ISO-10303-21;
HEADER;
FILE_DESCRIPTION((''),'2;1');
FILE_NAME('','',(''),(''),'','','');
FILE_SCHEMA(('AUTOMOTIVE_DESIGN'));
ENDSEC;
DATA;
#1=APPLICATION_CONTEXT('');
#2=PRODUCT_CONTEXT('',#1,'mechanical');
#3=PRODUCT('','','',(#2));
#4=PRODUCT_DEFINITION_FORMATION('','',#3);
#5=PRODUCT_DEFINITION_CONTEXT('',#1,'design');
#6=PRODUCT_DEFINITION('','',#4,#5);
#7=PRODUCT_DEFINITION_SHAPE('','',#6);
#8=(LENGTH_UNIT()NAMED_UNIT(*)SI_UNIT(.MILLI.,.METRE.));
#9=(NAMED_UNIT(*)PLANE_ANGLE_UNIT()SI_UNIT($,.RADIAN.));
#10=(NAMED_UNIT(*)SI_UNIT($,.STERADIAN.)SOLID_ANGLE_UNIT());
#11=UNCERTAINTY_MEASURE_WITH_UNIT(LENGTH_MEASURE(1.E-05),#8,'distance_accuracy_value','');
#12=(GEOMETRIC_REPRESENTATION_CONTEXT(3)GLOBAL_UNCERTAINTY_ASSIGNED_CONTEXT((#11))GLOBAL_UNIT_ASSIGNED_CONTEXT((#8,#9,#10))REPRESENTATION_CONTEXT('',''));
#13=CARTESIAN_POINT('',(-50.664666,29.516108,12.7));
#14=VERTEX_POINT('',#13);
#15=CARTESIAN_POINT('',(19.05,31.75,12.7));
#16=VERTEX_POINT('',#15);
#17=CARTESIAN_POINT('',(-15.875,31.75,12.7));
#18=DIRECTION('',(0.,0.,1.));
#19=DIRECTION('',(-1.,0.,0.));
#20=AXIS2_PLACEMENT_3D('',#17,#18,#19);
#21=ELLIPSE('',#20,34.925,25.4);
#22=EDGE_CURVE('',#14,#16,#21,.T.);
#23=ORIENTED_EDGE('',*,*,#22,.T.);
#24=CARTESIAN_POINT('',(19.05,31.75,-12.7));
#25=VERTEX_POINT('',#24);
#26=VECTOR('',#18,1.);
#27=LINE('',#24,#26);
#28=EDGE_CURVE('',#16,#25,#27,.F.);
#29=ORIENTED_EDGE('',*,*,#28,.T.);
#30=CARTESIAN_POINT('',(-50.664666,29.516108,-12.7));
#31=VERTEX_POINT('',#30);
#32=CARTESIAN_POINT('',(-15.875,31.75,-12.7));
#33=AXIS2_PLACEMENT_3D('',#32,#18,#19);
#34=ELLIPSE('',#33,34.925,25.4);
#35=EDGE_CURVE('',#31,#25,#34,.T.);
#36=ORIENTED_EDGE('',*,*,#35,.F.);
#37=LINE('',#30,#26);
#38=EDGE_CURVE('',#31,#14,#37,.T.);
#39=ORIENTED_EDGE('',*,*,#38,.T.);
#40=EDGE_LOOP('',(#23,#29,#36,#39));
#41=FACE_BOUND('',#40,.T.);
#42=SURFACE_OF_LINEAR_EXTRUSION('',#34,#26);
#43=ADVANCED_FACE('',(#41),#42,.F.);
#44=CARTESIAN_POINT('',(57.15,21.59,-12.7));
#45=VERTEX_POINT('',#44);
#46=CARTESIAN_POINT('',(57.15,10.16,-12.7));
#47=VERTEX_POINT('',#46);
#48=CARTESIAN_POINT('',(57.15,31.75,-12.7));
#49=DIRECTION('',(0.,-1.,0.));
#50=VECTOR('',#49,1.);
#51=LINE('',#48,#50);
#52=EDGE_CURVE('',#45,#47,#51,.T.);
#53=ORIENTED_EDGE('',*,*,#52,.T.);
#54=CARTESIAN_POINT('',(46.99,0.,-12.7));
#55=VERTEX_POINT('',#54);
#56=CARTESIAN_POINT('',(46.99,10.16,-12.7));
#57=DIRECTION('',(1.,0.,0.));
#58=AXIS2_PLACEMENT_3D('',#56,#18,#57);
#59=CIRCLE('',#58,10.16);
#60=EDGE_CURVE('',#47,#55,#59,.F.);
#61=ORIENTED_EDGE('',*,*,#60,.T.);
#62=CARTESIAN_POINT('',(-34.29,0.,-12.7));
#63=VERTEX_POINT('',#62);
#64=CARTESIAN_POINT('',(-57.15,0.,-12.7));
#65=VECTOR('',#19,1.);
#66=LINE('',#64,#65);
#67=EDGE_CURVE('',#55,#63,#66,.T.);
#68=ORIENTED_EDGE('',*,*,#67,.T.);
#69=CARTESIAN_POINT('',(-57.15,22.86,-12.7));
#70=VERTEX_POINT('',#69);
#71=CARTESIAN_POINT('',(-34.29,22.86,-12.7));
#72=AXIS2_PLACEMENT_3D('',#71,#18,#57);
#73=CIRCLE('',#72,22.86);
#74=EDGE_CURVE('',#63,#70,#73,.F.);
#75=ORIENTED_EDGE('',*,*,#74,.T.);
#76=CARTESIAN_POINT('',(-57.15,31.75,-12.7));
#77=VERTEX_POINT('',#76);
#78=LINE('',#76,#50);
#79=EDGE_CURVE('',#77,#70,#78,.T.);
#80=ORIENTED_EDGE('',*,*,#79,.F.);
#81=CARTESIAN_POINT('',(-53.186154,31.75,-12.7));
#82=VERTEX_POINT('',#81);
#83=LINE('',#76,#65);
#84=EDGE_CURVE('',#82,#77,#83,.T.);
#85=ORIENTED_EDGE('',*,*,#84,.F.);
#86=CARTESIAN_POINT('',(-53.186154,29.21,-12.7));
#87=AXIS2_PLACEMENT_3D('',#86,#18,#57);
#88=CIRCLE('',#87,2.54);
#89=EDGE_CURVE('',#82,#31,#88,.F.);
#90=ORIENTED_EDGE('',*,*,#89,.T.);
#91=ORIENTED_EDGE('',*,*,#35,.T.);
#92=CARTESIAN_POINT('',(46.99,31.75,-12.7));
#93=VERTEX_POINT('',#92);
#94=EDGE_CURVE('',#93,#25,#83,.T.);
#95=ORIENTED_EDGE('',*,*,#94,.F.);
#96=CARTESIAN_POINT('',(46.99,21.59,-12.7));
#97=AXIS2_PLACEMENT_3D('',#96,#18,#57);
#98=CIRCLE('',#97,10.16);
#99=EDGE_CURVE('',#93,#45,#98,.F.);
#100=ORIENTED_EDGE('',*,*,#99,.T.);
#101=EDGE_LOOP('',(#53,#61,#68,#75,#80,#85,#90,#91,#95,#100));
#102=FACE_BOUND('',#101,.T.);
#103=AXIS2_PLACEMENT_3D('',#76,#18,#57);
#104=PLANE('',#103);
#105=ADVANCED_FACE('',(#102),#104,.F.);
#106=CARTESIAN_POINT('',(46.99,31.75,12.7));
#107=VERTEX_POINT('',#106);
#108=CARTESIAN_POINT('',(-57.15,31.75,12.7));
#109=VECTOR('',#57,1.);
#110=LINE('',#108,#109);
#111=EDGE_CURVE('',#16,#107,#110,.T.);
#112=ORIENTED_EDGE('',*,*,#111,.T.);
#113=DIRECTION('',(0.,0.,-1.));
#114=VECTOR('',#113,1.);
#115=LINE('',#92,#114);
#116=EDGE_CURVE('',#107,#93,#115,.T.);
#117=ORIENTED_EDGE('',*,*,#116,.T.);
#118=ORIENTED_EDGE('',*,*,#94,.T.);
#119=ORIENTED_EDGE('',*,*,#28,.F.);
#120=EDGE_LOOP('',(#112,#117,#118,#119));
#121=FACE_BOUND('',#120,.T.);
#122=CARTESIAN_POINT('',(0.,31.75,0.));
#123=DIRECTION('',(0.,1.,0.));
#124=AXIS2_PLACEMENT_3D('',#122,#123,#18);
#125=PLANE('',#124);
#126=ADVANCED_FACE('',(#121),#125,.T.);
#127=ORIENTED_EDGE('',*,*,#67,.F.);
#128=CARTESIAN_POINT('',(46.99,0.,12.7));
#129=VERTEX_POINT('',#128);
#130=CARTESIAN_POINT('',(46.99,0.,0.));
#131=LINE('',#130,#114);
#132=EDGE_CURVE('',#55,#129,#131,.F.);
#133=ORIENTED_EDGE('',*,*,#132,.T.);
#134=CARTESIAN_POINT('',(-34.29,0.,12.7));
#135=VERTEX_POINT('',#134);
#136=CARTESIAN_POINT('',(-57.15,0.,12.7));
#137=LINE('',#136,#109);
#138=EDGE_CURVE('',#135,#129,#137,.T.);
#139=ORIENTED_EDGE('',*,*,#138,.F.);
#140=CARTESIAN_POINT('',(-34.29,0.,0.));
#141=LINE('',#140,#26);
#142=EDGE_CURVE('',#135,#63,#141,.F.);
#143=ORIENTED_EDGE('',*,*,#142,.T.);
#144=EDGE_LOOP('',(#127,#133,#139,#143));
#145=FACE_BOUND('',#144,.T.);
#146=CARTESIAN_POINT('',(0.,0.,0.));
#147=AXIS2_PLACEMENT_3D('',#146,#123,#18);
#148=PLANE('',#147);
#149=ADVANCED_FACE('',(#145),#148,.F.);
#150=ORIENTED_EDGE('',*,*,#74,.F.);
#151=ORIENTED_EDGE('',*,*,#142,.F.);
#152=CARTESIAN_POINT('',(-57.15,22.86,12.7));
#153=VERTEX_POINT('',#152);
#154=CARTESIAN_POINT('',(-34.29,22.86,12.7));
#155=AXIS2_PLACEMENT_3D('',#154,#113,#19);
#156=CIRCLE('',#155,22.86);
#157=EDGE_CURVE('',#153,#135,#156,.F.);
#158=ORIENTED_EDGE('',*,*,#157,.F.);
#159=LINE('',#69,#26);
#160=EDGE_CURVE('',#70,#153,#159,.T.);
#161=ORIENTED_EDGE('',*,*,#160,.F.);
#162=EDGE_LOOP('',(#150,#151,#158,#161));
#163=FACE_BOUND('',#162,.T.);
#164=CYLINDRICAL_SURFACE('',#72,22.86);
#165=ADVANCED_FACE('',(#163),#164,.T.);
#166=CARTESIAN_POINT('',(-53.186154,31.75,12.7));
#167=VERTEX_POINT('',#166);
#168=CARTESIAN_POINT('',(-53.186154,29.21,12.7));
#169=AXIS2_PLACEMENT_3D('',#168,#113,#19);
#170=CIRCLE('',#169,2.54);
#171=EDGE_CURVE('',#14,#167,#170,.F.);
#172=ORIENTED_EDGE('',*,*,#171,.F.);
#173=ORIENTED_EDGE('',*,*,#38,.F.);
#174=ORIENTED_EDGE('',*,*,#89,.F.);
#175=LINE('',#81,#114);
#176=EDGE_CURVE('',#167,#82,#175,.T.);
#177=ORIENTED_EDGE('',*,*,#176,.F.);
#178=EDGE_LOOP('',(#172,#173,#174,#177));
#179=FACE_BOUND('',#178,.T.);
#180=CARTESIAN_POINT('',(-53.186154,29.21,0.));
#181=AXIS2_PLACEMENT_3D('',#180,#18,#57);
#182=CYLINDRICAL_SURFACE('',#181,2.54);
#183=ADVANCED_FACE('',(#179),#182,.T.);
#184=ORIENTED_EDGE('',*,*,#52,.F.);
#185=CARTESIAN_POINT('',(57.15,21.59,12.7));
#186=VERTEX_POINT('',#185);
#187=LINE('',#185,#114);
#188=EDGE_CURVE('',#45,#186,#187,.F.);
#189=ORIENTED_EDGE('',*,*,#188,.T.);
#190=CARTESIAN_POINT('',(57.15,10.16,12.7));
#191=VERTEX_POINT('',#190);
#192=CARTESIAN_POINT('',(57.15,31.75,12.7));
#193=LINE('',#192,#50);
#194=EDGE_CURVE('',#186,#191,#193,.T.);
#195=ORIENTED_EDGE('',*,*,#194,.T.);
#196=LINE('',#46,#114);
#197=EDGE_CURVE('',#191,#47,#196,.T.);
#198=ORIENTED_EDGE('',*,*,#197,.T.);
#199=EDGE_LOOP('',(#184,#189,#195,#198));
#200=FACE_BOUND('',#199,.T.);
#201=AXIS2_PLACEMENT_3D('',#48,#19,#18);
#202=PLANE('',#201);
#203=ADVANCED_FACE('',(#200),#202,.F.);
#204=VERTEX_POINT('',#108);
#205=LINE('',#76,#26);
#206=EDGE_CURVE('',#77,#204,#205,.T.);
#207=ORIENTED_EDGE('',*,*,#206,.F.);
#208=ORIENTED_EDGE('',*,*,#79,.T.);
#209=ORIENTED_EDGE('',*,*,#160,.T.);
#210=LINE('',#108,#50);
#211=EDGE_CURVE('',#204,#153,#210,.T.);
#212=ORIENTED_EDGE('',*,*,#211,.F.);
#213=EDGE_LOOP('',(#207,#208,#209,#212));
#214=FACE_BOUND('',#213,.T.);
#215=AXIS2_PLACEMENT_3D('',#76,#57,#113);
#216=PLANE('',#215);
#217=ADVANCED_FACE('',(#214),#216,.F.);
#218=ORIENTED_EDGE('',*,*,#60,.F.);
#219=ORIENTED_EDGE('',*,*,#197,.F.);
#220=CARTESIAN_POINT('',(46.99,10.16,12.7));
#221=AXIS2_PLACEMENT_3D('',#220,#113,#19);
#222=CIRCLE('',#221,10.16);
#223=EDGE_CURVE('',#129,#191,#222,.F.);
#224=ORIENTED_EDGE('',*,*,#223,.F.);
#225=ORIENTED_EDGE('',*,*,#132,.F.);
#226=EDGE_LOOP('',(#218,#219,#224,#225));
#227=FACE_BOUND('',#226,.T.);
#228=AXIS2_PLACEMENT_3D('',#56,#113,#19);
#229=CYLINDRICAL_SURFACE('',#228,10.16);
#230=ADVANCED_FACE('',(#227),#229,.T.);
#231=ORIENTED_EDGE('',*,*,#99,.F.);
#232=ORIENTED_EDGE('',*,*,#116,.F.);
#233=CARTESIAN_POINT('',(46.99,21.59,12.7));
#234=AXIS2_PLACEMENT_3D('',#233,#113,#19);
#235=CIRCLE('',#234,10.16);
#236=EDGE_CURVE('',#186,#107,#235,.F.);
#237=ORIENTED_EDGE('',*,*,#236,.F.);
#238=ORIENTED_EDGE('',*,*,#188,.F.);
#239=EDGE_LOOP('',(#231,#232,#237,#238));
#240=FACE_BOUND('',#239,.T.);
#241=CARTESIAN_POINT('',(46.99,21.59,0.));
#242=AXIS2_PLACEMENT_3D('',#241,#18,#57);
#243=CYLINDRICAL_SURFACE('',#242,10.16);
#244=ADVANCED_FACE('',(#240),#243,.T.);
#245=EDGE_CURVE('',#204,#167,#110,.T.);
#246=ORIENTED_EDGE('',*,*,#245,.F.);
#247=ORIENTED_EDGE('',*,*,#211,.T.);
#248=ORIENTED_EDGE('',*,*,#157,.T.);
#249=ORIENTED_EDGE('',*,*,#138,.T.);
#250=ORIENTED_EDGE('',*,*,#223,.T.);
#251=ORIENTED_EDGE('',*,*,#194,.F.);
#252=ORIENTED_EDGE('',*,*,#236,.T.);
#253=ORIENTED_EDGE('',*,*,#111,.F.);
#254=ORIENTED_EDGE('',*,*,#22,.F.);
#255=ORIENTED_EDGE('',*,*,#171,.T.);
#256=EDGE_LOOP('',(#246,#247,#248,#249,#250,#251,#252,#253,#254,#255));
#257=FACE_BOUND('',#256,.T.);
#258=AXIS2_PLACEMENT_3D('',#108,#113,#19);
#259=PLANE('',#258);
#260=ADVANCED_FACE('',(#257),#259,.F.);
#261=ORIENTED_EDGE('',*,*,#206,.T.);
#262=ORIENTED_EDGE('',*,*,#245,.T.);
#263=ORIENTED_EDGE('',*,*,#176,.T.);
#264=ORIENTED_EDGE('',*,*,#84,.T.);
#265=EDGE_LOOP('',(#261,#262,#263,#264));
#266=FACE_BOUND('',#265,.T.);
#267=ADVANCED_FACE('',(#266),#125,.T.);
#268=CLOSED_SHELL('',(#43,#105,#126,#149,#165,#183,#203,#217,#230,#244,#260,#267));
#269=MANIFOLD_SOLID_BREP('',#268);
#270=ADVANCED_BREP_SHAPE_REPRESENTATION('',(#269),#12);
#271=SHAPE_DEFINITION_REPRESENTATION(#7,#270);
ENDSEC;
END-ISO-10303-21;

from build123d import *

# Parameters (mm, degrees)
SKETCH1_W           = 114.3
SKETCH1_H           = 25.4
BOSS_EXTRUDE1_DEPTH = 31.75
SKETCH2_RX          = 34.925
SKETCH2_RY          = 25.4
CUT_EXTRUDE1_DEPTH  = 71.138042459
FILLET1_R           = 2.54
FILLET2_R           = 22.86
FILLET3_R           = 10.16


with BuildPart() as part:
    # Sketch1 → Boss-Extrude1 (new body)
    with BuildSketch(Plane(origin=(0, 0, 0), x_dir=(1, 0, 0), z_dir=(0, 1, 0))):
        Rectangle(SKETCH1_W, SKETCH1_H)
    extrude(amount=BOSS_EXTRUDE1_DEPTH)

    # Sketch2 → Cut-Extrude1 (cut, through all)
    with BuildSketch(Plane.XY.offset(12.7)):
        with Locations(Location((-15.875, 31.75), (0, 0, 180))):
            Ellipse(SKETCH2_RX, SKETCH2_RY)
    extrude(amount=-CUT_EXTRUDE1_DEPTH, mode=Mode.SUBTRACT)

    # Fillet1
    fillet1_edges = [part.edges().sort_by_distance(p)[0] for p in [
        (-50.8, 31.75, 0),
    ]]
    fillet(fillet1_edges, radius=FILLET1_R)

    # Fillet2
    fillet2_edges = [part.edges().sort_by_distance(p)[0] for p in [
        (-57.15, 0, 0),
    ]]
    fillet(fillet2_edges, radius=FILLET2_R)

    # Fillet3
    fillet3_edges = [part.edges().sort_by_distance(p)[0] for p in [
        (57.15, 31.75, 0),
        (57.15, 0, 0),
    ]]
    fillet(fillet3_edges, radius=FILLET3_R)


solid = part.part
